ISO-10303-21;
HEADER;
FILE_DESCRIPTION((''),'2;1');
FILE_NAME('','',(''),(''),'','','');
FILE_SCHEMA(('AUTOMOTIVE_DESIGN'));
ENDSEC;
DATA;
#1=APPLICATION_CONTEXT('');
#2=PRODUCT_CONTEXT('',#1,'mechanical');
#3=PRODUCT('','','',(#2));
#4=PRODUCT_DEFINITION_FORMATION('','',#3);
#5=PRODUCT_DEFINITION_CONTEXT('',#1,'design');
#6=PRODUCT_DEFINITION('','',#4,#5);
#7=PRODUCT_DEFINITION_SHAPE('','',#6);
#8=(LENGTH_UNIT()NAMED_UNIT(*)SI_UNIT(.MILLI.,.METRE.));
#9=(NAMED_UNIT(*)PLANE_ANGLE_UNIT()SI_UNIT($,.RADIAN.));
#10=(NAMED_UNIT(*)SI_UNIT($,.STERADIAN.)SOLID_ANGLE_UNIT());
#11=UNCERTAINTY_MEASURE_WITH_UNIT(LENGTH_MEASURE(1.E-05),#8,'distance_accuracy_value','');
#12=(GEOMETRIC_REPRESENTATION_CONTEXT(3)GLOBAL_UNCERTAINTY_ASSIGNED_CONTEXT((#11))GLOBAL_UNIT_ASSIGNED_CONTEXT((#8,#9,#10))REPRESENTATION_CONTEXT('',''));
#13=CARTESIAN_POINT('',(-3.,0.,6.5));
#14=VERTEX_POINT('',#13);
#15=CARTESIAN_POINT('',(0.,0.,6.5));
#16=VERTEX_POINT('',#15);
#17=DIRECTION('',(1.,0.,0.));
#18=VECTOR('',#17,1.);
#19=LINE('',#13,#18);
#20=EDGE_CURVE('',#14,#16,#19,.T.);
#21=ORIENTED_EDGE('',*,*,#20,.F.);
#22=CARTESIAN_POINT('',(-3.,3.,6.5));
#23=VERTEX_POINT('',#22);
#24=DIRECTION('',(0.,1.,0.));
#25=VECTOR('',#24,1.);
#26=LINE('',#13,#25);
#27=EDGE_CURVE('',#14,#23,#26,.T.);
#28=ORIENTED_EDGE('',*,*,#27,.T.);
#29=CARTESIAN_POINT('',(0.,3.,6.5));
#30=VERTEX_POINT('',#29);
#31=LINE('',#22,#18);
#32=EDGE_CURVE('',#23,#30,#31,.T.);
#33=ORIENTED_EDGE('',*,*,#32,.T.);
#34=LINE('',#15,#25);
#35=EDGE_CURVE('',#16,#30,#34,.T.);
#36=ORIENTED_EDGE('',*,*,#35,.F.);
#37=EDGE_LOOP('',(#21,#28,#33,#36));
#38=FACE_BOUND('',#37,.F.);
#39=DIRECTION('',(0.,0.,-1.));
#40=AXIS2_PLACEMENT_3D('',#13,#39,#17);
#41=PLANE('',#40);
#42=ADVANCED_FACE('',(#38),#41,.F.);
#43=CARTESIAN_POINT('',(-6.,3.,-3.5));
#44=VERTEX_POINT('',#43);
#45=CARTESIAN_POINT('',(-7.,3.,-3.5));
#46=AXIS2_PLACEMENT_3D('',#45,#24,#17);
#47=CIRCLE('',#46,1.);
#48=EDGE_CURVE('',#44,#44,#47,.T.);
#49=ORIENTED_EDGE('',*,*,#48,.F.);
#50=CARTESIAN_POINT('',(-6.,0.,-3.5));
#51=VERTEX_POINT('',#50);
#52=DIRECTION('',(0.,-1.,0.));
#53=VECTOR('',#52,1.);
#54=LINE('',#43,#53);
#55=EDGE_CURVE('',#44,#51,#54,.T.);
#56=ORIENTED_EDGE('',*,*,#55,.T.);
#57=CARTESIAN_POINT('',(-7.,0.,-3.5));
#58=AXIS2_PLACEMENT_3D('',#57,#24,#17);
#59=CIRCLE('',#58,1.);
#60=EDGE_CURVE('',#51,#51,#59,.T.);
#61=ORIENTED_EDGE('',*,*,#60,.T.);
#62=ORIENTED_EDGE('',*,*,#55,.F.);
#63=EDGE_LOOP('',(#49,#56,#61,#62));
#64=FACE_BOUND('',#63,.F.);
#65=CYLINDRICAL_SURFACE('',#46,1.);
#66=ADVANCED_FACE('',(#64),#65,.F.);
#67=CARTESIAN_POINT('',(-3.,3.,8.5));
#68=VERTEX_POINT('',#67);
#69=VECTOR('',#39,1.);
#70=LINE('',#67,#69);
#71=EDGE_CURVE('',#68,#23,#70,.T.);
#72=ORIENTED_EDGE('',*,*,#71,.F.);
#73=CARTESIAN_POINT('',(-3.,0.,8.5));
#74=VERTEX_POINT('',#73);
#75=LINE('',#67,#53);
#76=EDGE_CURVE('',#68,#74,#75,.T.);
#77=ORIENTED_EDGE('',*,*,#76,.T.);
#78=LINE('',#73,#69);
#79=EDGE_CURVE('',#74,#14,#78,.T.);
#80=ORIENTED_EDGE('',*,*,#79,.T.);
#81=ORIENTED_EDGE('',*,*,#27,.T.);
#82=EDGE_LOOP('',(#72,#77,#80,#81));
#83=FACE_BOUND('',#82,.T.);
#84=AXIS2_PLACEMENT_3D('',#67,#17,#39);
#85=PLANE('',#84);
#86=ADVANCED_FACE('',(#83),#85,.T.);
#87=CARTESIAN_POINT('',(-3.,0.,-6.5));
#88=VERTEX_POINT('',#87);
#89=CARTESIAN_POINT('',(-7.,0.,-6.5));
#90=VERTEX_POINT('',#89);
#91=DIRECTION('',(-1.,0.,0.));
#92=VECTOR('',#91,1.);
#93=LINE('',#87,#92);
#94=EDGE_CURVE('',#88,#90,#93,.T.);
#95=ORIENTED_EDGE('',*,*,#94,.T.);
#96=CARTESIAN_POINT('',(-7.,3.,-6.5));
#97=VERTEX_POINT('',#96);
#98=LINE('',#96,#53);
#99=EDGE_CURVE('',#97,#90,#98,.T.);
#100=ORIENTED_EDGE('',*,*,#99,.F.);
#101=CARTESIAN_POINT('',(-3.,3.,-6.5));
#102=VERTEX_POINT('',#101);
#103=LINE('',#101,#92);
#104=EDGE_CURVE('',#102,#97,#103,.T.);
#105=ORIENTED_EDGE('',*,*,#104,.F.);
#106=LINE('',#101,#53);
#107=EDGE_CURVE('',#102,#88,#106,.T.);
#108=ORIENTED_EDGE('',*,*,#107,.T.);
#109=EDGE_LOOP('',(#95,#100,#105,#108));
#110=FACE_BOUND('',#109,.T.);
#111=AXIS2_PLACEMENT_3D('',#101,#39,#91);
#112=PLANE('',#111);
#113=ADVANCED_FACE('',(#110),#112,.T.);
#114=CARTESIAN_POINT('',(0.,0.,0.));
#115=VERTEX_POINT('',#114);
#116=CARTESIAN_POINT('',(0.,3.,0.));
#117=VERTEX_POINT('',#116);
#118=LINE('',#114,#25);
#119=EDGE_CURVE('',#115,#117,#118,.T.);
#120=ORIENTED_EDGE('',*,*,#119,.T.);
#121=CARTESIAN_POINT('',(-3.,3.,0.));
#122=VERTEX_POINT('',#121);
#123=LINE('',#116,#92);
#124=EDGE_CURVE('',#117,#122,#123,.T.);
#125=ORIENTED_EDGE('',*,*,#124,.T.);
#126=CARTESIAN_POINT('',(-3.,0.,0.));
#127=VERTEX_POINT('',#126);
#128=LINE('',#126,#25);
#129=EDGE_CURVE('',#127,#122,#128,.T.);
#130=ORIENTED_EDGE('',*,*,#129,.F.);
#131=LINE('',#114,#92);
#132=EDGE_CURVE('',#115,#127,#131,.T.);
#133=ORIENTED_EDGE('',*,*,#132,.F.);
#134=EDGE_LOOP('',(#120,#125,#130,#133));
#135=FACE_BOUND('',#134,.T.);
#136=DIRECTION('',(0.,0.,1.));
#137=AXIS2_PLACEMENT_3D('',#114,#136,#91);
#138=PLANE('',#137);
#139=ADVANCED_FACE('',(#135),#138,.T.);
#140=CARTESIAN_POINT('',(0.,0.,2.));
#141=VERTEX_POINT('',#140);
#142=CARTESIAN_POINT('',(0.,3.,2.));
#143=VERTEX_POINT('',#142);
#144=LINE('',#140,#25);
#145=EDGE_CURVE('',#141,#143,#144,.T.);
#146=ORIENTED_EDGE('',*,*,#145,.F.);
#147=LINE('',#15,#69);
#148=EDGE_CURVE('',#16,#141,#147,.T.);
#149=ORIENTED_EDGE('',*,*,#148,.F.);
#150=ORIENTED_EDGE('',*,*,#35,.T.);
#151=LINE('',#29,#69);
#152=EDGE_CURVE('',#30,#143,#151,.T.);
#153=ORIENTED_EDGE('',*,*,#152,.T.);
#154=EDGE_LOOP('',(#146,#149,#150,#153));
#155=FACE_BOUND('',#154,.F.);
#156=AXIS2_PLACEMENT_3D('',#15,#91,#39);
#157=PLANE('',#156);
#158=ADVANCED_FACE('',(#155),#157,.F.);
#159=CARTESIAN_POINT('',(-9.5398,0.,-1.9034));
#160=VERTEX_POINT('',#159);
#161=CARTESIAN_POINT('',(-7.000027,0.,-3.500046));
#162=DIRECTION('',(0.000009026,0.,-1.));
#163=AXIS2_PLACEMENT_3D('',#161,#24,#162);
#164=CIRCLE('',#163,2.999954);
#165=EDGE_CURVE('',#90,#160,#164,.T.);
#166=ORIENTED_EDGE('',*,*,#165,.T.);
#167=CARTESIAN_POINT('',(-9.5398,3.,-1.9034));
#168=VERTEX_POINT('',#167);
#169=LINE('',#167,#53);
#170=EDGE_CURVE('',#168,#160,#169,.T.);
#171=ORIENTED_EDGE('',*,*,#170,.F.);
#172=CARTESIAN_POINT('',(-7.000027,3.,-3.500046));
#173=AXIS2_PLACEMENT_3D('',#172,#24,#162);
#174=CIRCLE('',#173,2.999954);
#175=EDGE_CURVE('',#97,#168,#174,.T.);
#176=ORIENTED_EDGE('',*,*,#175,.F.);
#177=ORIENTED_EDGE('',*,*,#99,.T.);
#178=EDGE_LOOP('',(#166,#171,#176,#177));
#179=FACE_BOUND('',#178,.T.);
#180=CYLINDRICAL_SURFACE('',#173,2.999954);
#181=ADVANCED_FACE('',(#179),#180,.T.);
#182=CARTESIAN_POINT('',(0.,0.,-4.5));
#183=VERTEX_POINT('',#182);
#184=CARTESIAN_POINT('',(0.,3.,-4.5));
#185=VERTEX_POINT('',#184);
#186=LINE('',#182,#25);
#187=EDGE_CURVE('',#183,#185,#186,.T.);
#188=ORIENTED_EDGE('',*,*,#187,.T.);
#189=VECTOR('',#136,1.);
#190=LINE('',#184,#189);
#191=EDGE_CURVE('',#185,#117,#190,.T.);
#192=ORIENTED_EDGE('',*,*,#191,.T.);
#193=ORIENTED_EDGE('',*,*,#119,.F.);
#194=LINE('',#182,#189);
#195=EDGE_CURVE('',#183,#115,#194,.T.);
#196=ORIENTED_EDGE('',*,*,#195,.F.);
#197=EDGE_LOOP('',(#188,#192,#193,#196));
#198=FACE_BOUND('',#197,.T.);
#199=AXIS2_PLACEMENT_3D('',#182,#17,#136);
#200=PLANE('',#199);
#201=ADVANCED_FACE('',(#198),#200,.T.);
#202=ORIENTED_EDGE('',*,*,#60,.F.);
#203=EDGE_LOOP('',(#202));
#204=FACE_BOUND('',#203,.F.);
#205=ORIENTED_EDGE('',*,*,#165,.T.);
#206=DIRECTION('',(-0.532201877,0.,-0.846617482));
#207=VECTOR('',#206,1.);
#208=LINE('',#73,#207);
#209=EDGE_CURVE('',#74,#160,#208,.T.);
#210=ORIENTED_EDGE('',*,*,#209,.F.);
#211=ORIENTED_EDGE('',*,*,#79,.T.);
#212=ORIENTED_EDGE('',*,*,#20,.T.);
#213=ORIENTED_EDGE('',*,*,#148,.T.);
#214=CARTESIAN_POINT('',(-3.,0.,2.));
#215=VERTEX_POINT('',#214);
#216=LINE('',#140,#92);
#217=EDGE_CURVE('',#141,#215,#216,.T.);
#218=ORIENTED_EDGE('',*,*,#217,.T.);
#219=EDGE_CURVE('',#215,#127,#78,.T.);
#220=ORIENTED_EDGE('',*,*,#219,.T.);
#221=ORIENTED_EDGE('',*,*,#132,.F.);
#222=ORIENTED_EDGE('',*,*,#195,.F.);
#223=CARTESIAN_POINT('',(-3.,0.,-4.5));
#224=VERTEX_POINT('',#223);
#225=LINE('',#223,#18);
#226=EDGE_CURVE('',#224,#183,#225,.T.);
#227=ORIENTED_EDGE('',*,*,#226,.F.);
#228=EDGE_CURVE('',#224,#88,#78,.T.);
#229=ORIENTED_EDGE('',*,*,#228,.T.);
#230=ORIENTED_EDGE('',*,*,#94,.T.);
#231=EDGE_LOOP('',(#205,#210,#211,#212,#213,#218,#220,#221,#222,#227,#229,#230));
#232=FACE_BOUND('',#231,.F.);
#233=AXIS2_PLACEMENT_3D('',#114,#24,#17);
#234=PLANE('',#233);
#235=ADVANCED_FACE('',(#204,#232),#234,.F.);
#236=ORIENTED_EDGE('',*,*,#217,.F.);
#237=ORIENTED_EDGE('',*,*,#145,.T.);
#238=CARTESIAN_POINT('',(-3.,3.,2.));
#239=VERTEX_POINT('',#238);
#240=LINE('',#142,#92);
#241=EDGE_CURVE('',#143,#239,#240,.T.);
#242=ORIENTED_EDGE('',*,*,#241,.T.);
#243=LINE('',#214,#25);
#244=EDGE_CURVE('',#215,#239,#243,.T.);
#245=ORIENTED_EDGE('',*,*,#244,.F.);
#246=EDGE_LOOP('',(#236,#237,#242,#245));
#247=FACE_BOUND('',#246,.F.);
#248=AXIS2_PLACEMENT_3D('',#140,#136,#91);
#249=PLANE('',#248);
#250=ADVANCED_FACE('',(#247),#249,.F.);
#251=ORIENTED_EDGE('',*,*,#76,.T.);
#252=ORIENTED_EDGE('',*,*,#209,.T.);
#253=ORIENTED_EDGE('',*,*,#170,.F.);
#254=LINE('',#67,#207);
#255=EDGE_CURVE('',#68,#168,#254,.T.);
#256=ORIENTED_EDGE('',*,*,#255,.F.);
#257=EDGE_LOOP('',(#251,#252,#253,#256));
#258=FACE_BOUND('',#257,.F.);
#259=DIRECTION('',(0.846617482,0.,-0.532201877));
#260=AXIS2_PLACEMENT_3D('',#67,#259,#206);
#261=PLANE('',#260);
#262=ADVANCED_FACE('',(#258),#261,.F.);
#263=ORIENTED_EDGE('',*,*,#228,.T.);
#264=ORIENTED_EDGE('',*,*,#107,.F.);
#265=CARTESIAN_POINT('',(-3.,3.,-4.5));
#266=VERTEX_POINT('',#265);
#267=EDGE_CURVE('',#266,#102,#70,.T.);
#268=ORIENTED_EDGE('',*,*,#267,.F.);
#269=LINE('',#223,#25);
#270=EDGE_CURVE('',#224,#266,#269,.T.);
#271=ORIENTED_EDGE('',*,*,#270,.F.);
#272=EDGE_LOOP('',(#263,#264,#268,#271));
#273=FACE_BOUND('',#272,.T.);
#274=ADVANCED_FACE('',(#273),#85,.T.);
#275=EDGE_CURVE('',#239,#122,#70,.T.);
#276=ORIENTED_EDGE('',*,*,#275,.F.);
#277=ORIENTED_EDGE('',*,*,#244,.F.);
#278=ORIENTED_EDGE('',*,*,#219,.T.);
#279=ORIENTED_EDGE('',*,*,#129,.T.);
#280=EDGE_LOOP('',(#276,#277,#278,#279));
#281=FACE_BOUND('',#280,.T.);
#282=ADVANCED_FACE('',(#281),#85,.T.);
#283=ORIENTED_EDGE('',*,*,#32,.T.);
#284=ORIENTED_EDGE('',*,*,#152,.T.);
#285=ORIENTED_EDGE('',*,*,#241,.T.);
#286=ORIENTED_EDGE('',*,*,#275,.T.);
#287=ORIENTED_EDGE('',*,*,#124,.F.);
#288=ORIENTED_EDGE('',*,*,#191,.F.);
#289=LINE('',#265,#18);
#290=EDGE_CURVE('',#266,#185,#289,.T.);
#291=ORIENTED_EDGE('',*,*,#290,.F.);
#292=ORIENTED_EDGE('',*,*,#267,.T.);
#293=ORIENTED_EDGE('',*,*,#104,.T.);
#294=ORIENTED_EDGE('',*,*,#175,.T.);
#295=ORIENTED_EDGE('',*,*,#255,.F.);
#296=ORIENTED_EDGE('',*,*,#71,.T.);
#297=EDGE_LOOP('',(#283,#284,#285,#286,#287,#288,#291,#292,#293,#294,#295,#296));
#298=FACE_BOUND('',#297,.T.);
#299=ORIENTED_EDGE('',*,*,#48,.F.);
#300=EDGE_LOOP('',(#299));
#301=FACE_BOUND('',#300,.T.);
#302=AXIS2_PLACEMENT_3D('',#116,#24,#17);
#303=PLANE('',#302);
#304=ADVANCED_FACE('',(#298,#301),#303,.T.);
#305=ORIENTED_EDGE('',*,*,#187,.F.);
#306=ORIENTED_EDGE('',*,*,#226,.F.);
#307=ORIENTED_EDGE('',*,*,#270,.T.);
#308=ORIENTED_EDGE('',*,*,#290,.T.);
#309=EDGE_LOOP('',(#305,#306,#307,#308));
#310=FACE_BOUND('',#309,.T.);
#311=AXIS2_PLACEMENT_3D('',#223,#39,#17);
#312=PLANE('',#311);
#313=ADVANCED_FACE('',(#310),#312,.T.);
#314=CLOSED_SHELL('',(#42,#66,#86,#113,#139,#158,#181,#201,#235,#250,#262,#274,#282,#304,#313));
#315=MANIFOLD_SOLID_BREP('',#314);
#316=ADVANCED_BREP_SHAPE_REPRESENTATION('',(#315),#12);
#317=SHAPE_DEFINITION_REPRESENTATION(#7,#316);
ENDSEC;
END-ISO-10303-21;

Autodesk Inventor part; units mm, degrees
ref_plane "YZ Plane" through (0, 0, 0) normal (1, 0, 0) x (0, 1, 0)
ref_plane "XZ Plane" through (0, 0, 0) normal (0, 1, 0) x (-1, 0, 0)
ref_plane "XY Plane" through (0, 0, 0) normal (0, 0, 1) x (1, 0, 0)
sketch "Sketch1" plane through (0, 0, 0) normal (0, 1, 0) x (-1, 0, 0)
  line L0 (0, 0) -> (3, 0)
  line L1 (3, 0) -> (3, -4.5)
  line L2 (3, -4.5) -> (0, -4.5)
  line L3 (0, -4.5) -> (0, 0)
  line L4 (0, 1) -> (4.5153, 1) construction
  line L5 (0, 2) -> (3, 2)
  line L6 (3, 2) -> (3, 6.5)
  line L7 (3, 6.5) -> (0, 6.5)
  line L8 (0, 6.5) -> (0, 2)
  dimension "d0" = 4.5
  dimension "d1" = 3
  dimension "d2" = 1
extrude "Extrusion1" add sketch "Sketch1" along normal blind 3
sketch "Sketch2" plane through (0, 3, 0) normal (0, 1, 0) x (1, 0, 0)
  line L0 (-3, -8.5) -> (-3, 6.5)
  line L1 (-3, 6.5) -> (-7, 6.5)
  line L2 (-3, -8.5) -> (-9.5398, 1.9034)
  arc A0 (-7, 6.5) -> (-9.5398, 1.9034) centre (-7, 3.5) ccw
  point P0 (0, 0)
  point P1 (-3, -6.5)
  dimension "d5" = 2
  dimension "d6" = 15
  dimension "d10" = 3
  dimension "d11" = 4
extrude "Extrusion2" add sketch "Sketch2" against normal blind 3
sketch "Sketch3" plane through (0, 3, 0) normal (0, 1, 0) x (1, 0, 0)
  circle A0 centre (-7, 3.5) radius 1
  point P0 (0, 0)
  dimension "d14" = 2
extrude "Extrusion3" cut sketch "Sketch3" against normal blind 3
properties part number "Hinge"
